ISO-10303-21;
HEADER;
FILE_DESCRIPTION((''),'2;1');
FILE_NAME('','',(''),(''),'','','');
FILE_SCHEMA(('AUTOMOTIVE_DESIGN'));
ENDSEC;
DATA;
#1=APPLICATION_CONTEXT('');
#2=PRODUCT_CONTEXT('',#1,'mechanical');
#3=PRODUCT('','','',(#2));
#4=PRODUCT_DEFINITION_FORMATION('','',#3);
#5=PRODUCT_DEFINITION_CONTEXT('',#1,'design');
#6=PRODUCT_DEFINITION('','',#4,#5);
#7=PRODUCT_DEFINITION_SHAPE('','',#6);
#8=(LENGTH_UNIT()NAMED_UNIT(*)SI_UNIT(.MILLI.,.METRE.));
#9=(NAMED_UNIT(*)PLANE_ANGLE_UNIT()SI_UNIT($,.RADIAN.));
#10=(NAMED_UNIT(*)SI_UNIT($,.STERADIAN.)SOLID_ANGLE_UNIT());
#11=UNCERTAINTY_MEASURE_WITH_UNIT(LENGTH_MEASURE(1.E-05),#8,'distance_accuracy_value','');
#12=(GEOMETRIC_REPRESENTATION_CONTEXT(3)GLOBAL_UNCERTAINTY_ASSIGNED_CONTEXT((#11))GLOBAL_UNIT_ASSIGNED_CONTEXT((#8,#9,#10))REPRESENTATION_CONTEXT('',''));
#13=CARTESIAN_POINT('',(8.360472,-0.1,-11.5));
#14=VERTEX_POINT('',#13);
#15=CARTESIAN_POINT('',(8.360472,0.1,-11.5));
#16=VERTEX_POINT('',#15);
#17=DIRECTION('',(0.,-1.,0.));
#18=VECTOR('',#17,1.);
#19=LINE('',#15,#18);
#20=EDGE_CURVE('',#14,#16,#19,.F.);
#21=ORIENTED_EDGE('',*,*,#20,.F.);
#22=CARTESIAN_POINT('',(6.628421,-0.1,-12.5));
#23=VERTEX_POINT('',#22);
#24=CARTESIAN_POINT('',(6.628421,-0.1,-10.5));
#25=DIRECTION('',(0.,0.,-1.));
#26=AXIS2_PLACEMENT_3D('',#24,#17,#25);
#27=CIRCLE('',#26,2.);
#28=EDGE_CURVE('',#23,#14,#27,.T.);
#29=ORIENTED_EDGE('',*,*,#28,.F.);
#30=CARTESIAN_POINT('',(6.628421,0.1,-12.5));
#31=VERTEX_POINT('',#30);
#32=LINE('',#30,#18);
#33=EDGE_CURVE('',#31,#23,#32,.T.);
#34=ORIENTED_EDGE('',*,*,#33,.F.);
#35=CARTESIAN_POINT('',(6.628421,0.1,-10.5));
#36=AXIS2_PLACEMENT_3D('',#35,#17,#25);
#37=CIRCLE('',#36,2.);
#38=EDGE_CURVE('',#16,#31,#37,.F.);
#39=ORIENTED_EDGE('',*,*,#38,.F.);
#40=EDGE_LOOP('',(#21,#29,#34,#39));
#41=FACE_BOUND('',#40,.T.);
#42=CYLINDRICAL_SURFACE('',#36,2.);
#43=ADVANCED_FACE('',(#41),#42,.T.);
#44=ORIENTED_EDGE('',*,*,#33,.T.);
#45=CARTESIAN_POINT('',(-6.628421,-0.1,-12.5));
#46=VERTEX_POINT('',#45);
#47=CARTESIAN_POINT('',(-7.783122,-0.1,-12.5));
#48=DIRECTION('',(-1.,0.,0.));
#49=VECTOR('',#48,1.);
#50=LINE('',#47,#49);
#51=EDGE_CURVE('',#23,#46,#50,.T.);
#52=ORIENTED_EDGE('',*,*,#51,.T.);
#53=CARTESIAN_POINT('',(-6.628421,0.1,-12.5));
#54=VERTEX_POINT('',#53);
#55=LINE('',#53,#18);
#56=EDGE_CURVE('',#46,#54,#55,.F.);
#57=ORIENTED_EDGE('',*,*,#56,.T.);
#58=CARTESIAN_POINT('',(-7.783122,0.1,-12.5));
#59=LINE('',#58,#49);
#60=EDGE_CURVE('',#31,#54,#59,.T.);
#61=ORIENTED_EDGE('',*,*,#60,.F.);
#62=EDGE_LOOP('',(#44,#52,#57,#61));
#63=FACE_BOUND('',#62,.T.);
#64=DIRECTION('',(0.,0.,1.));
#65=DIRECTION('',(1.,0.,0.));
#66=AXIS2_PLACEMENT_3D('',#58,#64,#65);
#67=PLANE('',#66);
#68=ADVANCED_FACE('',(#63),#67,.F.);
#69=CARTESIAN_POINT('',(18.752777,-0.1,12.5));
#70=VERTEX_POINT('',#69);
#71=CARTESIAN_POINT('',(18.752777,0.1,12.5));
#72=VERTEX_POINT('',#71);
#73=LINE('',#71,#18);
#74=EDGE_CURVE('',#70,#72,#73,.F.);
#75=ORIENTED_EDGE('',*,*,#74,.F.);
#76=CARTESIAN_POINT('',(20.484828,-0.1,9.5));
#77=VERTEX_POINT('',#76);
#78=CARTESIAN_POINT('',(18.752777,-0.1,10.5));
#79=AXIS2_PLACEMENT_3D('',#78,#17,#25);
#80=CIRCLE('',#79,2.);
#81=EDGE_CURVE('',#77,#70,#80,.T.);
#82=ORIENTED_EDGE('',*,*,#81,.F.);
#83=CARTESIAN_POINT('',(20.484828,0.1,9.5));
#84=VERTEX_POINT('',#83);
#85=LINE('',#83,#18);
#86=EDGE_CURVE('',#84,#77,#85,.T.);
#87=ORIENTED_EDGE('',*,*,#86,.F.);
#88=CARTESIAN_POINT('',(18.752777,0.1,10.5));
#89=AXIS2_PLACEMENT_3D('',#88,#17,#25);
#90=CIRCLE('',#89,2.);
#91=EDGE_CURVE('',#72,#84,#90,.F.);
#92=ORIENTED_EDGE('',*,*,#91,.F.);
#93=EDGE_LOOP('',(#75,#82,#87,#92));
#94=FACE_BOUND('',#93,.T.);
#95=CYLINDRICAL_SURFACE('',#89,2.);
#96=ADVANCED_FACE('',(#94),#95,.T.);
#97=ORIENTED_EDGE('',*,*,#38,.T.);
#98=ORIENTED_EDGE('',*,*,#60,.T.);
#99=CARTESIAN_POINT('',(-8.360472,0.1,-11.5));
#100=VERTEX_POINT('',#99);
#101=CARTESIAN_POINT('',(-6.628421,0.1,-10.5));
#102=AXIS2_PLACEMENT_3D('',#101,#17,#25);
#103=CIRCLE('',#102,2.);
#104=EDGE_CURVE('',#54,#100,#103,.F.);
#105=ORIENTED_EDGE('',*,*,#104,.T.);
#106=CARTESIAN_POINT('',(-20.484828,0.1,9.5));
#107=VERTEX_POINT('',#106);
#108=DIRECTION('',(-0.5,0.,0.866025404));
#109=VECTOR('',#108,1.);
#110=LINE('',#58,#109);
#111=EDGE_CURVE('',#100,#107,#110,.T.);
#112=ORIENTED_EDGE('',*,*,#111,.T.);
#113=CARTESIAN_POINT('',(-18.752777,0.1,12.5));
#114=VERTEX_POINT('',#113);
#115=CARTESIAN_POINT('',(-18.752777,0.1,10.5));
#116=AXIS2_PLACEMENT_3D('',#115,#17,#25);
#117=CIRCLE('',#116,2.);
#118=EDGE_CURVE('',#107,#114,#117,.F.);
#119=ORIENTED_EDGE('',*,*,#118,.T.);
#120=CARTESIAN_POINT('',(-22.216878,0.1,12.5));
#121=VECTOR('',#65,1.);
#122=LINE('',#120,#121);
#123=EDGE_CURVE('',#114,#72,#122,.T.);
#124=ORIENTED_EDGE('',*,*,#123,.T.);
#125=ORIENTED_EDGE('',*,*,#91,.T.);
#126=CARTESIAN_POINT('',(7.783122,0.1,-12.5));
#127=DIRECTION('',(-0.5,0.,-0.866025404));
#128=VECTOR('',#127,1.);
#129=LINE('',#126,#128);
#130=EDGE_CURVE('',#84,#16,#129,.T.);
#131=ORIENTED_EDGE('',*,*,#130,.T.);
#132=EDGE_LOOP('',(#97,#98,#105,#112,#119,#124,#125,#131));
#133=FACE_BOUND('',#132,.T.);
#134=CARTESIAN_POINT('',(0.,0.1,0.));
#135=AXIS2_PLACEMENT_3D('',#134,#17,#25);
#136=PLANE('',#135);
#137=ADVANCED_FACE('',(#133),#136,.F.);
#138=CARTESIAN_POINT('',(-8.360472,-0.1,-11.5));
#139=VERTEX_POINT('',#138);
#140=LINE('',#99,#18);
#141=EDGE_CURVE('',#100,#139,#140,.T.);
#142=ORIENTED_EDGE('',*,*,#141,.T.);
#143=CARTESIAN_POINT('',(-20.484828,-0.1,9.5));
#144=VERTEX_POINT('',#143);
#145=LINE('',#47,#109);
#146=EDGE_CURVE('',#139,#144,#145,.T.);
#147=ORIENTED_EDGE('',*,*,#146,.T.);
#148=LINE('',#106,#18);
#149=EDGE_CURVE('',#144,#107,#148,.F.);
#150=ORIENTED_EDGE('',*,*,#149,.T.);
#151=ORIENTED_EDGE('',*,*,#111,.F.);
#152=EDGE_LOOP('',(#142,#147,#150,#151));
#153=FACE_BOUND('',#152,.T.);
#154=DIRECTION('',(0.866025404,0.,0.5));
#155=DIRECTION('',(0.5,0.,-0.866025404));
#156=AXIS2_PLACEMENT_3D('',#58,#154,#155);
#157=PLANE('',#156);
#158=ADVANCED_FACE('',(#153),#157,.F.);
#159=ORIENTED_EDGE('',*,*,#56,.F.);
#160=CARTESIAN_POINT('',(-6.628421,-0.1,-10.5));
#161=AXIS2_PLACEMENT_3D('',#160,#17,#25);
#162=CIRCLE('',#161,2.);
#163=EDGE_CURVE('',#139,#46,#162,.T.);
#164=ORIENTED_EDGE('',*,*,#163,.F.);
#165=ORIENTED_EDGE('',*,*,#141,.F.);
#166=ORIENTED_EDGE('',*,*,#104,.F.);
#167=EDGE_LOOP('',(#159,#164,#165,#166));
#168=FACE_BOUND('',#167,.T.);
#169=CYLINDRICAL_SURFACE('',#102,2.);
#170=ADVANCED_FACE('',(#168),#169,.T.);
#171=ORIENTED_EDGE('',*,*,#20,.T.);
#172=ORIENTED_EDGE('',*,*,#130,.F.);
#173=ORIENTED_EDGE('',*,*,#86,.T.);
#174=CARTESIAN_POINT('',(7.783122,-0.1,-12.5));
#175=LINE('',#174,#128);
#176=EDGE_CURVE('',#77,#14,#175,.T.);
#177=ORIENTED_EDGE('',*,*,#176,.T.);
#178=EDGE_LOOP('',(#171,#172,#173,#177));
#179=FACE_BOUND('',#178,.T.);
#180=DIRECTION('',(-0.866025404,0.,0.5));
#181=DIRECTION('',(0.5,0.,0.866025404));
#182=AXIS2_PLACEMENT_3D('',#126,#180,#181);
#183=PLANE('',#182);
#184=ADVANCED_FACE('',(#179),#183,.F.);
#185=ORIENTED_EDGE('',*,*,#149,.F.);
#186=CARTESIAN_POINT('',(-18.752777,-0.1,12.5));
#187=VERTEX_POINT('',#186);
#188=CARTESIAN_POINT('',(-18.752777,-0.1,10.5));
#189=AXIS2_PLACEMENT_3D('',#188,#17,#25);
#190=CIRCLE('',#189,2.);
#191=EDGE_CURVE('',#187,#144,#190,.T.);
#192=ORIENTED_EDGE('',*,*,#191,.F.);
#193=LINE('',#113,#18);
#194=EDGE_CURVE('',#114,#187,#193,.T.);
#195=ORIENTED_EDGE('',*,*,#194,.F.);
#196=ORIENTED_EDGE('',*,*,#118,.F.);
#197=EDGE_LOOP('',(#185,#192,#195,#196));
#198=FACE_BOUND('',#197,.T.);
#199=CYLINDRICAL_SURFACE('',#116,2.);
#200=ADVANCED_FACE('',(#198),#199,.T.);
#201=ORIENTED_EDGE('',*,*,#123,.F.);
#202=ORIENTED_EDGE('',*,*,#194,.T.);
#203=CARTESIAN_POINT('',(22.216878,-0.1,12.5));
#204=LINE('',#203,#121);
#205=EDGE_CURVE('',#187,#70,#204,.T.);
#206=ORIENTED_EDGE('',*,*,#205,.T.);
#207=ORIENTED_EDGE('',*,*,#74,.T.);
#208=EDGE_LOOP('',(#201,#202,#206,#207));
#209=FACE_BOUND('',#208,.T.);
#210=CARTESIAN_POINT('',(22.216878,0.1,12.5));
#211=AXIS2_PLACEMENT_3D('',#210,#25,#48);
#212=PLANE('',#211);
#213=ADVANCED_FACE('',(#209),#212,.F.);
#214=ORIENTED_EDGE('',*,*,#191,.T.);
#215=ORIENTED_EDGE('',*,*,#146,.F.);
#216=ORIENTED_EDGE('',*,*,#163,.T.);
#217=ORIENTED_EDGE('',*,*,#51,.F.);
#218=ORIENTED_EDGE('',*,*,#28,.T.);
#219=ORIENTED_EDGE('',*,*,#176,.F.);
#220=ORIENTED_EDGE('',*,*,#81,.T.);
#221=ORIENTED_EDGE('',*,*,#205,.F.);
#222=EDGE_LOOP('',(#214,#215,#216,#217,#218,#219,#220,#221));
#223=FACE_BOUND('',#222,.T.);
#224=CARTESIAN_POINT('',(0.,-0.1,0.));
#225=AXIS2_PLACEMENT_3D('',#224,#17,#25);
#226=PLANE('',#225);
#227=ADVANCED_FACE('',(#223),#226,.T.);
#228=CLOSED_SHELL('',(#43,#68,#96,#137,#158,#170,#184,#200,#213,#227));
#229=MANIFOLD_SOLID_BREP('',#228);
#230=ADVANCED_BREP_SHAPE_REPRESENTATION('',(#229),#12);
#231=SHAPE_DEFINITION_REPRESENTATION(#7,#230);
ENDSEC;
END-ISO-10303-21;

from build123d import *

# Parameters (mm, degrees)
BOSS_EXTRUDE1_DEPTH = 0.1
FILLET5_R           = 2


with BuildPart() as part:
    # Sketch1 → Boss-Extrude1 (new, symmetric)
    with BuildSketch(Plane(origin=(0, 0, 0), x_dir=(1, 0, 0), z_dir=(0, 1, 0))):
        Polygon((-14.297771125, -12.5), (14.297771125, -12.5), (22.216878365, -12.5), (7.783121635, 12.5), (-7.783121635, 12.5), (-22.216878365, -12.5), align=None)
    extrude(amount=BOSS_EXTRUDE1_DEPTH, both=True)

    # Fillet5
    fillet5_edges = [part.edges().sort_by_distance(p)[0] for p in [
        (-22.216878365, 0, 12.5),
        (-7.783121635, 0, -12.5),
        (7.783121635, 0, -12.5),
        (22.216878365, 0, 12.5),
    ]]
    fillet(fillet5_edges, radius=FILLET5_R)


solid = part.part
